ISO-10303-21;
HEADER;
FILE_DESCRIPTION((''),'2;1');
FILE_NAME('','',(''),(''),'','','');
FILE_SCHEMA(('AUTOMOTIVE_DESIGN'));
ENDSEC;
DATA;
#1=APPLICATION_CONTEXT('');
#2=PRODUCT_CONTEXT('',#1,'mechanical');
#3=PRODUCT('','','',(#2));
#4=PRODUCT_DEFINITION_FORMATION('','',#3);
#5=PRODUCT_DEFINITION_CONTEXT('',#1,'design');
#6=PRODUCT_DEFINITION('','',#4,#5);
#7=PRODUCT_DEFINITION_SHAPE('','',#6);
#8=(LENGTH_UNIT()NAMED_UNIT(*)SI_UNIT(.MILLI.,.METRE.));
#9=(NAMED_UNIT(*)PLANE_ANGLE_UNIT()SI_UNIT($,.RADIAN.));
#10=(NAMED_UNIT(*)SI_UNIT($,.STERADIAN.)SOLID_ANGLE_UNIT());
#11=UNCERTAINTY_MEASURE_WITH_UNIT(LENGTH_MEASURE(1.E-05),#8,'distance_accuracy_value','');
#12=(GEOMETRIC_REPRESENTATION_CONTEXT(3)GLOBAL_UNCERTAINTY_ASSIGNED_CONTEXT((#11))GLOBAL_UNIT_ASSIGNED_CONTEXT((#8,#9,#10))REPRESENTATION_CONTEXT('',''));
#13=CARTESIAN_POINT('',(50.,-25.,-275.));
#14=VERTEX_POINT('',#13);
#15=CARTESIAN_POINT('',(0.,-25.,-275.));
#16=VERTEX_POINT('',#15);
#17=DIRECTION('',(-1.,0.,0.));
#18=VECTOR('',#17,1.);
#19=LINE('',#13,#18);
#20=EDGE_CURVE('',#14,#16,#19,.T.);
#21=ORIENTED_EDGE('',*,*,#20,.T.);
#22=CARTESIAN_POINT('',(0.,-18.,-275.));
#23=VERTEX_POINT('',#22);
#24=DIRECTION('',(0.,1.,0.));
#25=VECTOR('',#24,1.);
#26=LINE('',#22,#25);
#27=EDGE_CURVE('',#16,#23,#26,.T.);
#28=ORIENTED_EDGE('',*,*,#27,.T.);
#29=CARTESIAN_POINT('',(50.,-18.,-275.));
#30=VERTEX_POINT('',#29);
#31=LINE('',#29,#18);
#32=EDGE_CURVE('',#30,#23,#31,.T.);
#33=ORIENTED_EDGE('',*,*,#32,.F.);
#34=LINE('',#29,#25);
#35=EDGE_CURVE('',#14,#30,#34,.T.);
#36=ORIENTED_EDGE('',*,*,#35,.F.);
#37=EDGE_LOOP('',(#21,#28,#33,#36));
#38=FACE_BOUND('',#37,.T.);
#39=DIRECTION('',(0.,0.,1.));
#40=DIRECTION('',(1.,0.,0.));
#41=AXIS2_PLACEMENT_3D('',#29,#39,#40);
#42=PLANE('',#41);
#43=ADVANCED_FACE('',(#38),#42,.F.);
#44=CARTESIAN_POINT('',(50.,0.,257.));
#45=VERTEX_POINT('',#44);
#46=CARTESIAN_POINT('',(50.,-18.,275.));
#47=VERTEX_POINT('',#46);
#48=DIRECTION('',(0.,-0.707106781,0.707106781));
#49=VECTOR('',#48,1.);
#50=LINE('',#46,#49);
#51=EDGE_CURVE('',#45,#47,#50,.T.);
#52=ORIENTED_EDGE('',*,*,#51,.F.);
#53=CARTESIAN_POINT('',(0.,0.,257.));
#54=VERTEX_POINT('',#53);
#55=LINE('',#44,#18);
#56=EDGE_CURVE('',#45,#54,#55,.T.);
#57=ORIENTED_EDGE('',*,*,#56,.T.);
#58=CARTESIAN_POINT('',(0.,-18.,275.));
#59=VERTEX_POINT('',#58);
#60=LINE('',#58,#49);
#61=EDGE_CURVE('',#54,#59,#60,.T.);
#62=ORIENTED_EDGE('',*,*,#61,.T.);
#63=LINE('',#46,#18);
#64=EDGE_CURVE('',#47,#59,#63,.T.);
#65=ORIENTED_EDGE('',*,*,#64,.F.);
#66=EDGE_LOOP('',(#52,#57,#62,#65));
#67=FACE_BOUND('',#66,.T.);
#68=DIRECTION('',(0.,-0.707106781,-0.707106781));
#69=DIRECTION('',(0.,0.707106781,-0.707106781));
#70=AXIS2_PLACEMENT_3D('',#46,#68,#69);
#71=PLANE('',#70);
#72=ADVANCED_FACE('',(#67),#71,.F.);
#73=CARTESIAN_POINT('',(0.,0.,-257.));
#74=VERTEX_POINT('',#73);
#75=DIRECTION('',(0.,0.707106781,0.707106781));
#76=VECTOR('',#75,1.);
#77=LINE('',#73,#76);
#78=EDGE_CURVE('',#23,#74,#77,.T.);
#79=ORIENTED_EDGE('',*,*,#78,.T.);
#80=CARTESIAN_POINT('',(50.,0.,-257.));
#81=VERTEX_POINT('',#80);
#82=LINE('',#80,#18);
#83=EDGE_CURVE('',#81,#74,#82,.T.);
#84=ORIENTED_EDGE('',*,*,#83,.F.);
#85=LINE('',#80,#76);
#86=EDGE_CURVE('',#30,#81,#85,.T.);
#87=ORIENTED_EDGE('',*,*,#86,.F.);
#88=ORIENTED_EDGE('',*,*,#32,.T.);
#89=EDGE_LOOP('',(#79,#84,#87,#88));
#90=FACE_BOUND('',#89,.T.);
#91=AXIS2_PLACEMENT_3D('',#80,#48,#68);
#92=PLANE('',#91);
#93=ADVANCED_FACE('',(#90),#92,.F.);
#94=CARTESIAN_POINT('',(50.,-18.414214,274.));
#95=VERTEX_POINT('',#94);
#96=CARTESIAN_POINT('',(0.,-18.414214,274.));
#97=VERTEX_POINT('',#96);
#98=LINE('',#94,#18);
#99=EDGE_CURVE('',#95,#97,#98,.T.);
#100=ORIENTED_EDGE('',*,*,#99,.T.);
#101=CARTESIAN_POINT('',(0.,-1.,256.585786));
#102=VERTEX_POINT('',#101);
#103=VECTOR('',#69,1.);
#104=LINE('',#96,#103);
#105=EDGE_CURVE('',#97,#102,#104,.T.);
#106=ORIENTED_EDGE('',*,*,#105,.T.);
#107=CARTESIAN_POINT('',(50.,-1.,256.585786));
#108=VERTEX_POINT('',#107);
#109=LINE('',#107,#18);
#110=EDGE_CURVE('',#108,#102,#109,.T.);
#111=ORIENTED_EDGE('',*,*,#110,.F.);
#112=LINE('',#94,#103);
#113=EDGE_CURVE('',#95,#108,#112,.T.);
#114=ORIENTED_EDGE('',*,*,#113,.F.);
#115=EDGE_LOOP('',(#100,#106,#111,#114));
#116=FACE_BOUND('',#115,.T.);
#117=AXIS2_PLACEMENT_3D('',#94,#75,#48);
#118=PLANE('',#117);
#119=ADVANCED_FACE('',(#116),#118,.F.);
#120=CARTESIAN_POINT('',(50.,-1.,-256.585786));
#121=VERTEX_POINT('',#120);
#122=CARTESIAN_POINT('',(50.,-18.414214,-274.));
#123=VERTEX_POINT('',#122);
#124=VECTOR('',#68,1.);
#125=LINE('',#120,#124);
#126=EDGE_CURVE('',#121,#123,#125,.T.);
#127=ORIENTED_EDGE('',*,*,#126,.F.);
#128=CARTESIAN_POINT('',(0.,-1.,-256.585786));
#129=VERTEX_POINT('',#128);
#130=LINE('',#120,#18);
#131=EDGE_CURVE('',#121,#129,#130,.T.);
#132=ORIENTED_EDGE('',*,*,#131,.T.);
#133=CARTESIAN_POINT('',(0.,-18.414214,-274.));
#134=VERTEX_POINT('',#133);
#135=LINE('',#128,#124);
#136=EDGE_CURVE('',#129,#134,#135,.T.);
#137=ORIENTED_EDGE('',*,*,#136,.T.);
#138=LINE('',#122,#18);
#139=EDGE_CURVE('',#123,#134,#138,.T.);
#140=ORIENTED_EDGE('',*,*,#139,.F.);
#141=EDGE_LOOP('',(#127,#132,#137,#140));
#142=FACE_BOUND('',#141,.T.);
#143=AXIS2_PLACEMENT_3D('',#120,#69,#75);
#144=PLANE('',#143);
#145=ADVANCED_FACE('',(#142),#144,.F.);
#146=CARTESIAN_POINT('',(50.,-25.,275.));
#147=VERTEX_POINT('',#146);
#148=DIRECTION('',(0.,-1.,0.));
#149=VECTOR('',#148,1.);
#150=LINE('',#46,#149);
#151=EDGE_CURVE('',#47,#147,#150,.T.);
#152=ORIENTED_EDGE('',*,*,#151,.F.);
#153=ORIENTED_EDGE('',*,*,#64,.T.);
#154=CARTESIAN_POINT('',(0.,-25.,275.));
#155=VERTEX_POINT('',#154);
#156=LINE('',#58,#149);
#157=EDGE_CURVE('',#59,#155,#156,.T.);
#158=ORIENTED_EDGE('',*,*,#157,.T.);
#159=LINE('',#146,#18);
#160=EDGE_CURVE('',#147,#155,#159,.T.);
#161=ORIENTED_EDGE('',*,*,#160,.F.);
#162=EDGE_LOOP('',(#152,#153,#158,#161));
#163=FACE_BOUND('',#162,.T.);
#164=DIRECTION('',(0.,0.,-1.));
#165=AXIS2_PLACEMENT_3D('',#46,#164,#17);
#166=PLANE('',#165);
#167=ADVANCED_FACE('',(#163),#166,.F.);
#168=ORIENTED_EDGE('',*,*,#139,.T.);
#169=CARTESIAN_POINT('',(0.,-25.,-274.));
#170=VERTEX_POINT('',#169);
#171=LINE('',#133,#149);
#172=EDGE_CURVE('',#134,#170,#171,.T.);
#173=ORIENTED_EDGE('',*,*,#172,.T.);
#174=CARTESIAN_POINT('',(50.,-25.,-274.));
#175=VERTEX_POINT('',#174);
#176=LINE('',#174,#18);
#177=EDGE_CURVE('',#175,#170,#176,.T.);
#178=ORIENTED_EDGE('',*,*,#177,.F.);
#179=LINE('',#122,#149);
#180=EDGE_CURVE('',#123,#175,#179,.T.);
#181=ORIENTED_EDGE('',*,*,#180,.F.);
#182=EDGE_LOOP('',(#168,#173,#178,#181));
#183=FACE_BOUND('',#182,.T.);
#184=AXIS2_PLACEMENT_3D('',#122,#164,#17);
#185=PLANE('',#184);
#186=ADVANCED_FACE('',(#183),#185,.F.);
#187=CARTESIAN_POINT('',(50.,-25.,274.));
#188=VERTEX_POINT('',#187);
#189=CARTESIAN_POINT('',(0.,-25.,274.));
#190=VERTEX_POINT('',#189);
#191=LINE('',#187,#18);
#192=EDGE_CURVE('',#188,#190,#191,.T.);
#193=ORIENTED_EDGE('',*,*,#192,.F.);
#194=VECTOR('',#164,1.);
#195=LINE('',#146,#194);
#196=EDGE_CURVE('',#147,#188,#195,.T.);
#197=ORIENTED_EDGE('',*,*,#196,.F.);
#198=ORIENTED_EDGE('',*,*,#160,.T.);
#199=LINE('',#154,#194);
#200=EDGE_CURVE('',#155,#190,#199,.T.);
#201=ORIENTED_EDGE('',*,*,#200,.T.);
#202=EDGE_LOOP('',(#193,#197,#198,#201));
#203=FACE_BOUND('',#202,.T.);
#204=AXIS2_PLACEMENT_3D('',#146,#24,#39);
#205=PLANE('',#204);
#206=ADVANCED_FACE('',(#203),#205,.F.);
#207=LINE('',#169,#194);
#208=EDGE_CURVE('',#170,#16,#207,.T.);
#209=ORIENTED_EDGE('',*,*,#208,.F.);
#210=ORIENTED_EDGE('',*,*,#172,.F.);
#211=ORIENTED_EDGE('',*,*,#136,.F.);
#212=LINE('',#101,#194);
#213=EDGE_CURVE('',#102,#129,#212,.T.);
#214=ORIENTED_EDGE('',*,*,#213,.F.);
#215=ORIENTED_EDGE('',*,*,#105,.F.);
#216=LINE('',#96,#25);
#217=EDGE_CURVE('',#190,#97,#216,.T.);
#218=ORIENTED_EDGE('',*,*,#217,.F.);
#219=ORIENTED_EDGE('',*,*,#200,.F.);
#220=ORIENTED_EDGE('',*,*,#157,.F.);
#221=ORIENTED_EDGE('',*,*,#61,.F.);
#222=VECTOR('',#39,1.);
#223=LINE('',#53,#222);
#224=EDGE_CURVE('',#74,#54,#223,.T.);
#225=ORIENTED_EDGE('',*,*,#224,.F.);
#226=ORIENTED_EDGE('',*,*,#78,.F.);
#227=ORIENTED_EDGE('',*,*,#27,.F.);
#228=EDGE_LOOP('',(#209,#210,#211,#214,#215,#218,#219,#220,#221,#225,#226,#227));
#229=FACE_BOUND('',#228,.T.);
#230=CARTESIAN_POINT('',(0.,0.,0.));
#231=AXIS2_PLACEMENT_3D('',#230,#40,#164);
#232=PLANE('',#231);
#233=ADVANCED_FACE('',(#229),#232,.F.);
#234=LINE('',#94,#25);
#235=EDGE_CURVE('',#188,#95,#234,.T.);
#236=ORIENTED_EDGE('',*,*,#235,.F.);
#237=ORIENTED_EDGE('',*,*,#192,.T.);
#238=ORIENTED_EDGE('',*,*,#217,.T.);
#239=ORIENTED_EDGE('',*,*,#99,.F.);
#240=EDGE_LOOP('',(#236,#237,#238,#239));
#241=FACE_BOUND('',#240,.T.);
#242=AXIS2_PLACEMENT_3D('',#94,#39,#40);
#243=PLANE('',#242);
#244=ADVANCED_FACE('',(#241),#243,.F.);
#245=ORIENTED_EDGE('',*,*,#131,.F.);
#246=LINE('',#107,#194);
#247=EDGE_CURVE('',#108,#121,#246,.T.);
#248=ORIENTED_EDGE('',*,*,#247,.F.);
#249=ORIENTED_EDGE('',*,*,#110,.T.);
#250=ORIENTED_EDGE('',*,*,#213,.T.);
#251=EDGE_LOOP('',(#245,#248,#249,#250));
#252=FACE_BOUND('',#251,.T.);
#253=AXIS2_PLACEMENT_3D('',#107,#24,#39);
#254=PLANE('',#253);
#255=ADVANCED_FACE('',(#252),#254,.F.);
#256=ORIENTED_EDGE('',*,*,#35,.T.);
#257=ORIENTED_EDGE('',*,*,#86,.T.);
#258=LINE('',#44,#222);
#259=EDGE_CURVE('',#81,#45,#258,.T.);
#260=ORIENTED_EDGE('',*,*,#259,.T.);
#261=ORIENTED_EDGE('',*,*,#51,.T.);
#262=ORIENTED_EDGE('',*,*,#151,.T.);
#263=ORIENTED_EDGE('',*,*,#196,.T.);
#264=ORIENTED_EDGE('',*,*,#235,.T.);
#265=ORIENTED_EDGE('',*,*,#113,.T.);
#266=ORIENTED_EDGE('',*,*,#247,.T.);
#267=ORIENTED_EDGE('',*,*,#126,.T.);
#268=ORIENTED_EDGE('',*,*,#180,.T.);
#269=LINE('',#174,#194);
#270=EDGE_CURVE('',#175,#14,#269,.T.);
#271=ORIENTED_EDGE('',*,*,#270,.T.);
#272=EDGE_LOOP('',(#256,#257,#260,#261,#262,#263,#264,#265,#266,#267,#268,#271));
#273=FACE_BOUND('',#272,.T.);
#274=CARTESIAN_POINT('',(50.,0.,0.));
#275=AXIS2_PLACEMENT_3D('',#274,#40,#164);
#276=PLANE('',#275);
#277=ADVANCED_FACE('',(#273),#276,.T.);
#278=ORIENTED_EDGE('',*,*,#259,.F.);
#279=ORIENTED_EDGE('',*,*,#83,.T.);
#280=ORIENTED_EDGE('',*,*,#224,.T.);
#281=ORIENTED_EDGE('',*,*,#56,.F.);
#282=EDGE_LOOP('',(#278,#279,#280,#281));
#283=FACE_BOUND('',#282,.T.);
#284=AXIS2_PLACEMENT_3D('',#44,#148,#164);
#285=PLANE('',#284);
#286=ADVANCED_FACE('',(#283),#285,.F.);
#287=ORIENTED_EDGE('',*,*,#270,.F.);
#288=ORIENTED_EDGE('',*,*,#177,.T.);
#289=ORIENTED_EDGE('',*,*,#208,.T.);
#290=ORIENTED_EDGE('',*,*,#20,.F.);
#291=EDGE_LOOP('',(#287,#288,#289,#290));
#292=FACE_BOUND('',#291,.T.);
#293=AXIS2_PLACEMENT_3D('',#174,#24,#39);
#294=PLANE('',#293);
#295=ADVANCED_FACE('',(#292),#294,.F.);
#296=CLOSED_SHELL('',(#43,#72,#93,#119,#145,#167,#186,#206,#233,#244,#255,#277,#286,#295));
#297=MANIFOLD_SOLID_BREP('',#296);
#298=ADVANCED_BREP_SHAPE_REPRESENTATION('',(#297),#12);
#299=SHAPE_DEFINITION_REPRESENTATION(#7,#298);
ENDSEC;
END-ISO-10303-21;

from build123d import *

# Parameters (mm, degrees)
EXTRUDE_1_DEPTH = 50


with BuildPart() as part:
    # 草图1 → 凸台-拉伸1 (new body)
    with BuildSketch(Plane(origin=(0, 0, 0), x_dir=(0, 0, -1), z_dir=(1, 0, 0))):
        Polygon((-257, 0), (257, 0), (275, -18), (275, -25), (274, -25), (274, -18.414213562), (256.585786438, -1), (-256.585786438, -1), (-274, -18.414213562), (-274, -25), (-275, -25), (-275, -18), align=None)
    extrude(amount=EXTRUDE_1_DEPTH)


solid = part.part
